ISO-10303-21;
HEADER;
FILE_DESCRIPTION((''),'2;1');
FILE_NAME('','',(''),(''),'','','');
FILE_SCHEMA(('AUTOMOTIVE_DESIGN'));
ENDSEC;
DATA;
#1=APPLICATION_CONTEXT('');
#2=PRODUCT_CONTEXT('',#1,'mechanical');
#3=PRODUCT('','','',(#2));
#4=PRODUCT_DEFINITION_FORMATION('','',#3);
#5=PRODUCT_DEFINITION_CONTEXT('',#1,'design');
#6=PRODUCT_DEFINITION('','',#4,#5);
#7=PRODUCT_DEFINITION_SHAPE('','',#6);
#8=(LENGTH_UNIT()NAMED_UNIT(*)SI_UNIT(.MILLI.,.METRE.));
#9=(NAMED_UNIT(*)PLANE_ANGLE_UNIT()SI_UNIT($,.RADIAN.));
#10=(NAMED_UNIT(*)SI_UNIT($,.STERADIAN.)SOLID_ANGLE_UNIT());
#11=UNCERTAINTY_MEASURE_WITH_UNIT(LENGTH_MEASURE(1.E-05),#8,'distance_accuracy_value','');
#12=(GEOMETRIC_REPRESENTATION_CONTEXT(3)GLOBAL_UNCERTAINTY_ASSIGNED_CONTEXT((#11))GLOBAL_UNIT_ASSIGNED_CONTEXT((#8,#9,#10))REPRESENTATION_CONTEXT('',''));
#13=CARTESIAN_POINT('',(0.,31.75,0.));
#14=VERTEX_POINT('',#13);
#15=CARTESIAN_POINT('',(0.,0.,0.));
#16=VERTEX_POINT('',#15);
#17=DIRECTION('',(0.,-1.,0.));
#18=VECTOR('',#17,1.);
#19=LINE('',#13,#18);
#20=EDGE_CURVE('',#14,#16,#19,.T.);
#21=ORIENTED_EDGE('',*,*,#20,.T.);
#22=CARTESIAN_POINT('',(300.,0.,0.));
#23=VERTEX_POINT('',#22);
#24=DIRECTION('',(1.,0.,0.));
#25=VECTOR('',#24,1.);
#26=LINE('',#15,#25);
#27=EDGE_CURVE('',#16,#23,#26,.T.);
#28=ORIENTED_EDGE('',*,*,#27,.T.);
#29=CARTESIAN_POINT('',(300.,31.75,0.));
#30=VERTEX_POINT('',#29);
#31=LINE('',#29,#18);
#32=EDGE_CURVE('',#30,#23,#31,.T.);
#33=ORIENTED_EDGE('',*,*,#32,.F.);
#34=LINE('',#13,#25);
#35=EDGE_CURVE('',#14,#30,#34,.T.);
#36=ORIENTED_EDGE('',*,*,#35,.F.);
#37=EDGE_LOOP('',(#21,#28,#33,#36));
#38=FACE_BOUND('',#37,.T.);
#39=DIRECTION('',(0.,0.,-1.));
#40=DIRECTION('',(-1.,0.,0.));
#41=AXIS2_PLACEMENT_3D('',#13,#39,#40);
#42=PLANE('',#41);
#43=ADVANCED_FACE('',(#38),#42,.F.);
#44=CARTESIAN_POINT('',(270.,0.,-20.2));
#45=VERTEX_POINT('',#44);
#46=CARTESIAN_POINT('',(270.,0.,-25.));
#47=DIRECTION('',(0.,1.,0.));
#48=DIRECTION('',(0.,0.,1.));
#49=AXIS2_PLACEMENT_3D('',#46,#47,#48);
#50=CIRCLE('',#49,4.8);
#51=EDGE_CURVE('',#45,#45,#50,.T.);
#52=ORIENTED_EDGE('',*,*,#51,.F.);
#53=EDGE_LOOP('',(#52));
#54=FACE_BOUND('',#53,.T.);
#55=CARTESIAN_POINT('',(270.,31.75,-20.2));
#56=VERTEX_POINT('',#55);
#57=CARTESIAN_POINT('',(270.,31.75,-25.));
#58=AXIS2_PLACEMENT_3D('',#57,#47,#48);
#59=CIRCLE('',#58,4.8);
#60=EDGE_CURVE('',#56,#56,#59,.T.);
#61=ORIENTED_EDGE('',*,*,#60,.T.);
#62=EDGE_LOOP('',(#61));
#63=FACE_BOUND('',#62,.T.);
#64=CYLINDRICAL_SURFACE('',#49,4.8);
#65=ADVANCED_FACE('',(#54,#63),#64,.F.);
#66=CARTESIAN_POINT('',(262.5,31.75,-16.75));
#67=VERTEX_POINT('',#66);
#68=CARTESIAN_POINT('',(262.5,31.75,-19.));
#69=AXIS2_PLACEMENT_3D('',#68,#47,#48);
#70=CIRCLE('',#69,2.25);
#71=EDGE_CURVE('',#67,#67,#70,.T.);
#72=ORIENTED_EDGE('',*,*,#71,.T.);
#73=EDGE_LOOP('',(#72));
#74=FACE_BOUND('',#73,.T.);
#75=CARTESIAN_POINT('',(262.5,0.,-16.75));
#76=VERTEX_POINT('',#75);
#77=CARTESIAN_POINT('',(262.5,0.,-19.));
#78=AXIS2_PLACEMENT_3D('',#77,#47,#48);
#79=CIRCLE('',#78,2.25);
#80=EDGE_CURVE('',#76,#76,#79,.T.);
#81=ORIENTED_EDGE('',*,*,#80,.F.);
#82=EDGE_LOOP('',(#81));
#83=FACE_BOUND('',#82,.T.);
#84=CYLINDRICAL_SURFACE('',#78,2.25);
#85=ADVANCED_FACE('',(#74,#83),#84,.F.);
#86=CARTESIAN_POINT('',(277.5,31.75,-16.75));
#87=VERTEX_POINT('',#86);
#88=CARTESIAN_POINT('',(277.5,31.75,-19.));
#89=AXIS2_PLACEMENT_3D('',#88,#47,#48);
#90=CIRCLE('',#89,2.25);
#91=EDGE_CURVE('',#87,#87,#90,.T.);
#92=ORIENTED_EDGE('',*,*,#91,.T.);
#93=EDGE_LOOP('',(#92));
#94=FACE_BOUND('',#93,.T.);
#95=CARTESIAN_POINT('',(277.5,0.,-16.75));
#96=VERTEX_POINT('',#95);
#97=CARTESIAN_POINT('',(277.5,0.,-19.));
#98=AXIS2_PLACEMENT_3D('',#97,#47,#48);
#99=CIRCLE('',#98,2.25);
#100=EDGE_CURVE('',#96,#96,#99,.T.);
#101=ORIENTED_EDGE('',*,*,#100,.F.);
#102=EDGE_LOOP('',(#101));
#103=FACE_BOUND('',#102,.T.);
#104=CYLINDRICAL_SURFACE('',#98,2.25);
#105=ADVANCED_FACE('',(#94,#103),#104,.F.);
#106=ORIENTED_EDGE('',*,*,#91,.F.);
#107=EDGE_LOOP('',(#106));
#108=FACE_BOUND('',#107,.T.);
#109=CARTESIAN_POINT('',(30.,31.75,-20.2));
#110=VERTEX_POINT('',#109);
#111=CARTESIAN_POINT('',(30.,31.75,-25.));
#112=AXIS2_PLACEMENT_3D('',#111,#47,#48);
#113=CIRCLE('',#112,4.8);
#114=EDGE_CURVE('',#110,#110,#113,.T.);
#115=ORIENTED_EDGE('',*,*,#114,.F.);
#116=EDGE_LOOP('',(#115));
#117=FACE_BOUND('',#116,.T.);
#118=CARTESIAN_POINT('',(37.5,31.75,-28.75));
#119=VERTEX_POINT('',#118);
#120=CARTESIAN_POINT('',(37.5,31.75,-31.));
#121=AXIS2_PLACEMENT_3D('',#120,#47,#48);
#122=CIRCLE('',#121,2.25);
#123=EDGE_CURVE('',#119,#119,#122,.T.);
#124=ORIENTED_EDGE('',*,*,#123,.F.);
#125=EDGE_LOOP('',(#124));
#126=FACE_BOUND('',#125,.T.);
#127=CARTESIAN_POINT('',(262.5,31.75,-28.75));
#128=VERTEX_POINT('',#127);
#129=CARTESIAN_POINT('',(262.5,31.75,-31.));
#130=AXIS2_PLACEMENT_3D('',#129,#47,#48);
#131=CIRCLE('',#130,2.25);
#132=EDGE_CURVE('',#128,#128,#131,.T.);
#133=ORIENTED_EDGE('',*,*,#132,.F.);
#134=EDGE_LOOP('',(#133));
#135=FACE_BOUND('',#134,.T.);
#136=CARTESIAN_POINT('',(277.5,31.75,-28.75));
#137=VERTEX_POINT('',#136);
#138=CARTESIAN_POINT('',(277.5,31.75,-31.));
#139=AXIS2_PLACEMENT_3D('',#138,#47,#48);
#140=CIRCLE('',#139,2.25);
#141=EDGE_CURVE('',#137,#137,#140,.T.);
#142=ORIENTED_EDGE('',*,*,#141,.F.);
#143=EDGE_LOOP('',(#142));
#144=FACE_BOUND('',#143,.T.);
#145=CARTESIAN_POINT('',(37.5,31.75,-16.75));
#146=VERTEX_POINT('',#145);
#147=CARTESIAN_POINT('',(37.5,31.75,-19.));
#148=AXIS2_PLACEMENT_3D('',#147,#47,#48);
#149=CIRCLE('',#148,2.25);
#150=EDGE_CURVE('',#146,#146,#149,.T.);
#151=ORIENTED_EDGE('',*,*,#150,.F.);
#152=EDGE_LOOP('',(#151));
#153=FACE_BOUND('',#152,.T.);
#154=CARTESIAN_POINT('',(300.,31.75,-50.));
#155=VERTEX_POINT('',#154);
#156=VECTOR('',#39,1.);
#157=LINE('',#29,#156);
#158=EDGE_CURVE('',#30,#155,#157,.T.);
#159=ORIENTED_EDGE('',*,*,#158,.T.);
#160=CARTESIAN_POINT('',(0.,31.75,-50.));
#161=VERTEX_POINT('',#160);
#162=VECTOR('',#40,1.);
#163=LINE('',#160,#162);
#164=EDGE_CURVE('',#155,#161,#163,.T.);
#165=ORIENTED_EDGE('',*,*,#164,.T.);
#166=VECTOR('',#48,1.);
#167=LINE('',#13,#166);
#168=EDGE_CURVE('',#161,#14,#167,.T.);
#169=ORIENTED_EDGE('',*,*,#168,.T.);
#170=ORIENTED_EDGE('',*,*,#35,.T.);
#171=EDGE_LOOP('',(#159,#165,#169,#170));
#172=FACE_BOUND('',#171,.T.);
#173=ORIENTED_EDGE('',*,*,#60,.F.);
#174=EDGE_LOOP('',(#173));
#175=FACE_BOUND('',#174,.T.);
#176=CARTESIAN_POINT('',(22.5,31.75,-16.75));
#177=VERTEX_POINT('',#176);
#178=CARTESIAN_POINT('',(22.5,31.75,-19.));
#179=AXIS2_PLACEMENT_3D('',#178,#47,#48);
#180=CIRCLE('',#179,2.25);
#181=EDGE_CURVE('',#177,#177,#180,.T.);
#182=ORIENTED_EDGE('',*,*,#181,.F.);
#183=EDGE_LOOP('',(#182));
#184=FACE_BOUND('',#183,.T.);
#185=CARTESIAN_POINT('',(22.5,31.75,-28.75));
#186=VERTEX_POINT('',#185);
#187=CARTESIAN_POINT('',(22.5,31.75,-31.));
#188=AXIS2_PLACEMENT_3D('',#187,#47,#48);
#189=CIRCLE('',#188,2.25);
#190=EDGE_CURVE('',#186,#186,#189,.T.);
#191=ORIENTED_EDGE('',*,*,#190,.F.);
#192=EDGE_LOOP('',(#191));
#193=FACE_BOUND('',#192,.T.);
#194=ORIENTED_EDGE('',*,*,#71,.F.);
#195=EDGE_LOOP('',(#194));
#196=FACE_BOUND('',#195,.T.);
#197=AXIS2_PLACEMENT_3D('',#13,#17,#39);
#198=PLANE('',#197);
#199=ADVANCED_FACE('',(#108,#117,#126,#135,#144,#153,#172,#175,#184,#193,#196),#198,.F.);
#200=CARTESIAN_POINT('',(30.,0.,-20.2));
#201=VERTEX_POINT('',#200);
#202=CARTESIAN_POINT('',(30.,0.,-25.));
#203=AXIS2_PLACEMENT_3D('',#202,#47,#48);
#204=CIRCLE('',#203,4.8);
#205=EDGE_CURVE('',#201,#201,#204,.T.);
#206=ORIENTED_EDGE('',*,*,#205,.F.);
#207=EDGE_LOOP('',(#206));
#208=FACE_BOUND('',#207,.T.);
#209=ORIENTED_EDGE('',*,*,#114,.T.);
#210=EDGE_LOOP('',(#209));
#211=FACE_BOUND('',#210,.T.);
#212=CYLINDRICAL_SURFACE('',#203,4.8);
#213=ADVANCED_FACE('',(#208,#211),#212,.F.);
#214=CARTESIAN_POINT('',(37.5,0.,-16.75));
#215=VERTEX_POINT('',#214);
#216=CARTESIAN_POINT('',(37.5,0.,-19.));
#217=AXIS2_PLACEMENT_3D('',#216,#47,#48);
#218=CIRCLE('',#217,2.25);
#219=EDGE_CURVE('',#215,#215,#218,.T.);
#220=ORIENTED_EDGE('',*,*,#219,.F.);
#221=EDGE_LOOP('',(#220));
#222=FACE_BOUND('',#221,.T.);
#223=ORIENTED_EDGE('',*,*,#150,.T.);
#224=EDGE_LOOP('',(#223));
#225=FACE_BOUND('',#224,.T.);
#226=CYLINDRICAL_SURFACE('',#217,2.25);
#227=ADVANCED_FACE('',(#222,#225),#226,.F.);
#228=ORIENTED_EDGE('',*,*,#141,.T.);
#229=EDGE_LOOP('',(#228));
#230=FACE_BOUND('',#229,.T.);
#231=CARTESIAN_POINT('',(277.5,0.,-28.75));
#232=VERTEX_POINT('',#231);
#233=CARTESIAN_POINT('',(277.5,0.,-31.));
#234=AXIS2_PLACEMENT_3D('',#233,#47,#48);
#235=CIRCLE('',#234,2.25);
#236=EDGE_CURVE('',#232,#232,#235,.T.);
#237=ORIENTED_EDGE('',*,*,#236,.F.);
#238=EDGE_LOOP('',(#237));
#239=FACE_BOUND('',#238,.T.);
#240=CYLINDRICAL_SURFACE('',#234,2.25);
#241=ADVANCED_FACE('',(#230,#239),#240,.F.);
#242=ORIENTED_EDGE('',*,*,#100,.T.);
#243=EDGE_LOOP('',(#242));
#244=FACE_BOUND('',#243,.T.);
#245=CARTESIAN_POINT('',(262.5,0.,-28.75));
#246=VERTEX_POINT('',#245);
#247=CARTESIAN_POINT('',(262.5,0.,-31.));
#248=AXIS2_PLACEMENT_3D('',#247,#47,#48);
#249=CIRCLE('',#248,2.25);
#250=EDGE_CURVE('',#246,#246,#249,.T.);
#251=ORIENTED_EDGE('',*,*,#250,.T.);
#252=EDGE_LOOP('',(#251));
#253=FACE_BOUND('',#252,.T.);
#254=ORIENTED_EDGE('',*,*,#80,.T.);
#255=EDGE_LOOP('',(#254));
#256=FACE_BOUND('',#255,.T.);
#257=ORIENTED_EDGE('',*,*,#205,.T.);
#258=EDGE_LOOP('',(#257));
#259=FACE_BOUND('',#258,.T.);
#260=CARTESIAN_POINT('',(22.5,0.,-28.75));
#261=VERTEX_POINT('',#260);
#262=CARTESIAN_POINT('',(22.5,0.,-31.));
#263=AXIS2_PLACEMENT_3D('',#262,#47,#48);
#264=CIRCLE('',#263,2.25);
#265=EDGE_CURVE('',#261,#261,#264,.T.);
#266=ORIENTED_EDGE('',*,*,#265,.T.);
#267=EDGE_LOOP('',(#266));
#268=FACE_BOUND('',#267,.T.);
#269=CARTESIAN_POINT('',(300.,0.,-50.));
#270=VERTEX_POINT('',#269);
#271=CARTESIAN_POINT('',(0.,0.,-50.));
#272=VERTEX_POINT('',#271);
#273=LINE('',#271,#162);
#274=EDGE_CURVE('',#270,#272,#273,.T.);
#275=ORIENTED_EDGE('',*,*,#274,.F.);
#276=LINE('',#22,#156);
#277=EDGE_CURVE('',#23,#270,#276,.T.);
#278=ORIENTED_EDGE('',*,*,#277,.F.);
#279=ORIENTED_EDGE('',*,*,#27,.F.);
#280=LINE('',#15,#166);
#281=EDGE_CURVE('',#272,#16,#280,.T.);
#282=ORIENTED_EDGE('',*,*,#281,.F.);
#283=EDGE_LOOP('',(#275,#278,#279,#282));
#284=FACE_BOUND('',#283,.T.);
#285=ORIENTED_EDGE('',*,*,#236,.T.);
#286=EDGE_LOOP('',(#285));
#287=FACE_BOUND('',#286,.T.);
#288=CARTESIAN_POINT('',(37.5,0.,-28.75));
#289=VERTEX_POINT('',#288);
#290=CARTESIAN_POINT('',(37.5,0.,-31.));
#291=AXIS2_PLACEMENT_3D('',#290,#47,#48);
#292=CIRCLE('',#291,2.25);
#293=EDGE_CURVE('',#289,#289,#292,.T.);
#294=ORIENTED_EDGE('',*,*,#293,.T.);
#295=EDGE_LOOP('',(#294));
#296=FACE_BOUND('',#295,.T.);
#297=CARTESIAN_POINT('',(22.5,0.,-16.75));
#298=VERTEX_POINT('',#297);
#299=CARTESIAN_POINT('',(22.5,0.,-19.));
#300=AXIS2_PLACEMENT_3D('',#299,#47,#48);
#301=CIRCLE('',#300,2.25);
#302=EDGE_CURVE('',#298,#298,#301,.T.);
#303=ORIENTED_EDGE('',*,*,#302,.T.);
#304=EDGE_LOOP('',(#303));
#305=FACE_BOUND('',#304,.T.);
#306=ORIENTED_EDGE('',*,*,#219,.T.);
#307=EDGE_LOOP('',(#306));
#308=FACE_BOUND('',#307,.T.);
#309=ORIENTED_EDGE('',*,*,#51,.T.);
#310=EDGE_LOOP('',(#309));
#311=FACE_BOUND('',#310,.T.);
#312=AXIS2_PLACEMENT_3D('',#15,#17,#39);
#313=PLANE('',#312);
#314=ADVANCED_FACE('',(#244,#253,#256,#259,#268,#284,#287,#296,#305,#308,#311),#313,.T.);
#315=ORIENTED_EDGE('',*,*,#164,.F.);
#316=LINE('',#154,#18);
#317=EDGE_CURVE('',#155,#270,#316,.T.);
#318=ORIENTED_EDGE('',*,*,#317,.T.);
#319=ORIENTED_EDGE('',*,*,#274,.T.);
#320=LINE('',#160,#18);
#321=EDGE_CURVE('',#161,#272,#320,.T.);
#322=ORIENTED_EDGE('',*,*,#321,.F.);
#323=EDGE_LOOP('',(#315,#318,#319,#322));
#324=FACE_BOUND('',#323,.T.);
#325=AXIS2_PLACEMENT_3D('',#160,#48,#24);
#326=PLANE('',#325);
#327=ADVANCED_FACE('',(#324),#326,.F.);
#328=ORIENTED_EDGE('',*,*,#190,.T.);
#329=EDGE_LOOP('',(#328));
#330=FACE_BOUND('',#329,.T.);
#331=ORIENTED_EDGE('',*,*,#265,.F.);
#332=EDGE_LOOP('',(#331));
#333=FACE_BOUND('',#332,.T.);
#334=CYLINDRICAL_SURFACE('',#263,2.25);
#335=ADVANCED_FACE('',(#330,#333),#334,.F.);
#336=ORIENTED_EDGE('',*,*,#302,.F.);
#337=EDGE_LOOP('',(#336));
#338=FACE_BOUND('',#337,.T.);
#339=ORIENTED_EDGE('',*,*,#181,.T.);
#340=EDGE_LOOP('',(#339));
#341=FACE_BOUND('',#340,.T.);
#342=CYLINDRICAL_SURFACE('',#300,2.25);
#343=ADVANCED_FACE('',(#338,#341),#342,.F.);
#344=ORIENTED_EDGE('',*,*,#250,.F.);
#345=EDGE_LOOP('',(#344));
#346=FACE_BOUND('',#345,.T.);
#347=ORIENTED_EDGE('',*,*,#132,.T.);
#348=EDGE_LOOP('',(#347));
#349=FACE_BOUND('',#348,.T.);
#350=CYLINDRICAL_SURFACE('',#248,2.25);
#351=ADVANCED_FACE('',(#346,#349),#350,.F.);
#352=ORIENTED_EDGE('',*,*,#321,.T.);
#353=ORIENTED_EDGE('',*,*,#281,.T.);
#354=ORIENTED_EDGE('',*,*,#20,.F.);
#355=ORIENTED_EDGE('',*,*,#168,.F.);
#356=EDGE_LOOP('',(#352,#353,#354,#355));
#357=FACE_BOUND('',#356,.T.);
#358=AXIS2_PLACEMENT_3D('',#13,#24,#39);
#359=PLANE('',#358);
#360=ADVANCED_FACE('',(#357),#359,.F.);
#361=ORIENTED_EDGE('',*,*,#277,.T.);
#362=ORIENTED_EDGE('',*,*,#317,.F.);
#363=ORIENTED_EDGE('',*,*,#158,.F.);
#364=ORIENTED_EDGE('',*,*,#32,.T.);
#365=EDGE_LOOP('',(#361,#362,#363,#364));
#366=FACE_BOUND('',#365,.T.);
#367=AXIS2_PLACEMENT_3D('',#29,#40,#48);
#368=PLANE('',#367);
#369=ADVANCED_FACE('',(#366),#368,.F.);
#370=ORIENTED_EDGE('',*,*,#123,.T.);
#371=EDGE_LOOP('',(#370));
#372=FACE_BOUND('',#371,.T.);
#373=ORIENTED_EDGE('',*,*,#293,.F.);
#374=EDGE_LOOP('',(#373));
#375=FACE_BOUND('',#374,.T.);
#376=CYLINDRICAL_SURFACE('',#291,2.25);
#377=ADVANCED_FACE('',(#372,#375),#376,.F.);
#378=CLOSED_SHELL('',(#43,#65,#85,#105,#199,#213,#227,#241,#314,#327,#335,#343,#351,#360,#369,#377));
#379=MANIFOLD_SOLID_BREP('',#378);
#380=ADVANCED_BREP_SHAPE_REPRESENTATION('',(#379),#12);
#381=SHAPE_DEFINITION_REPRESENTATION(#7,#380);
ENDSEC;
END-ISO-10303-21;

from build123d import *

# Parameters (mm, degrees)
SKETCH2_W           = 300
SKETCH2_H           = 50
BOSS_EXTRUDE1_DEPTH = 31.75
SKETCH3_R           = 4.8
SKETCH3_R_2         = 2.25
CUT_EXTRUDE1_DEPTH  = 31.75
SKETCH3_3_R         = 2.25
CUT_EXTRUDE2_DEPTH  = 31.75


with BuildPart() as part:
    # Sketch2 → Boss-Extrude1 (new body)
    with BuildSketch(Plane(origin=(0, 0, 0), x_dir=(1, 0, 0), z_dir=(0, 1, 0))):
        with Locations((150, 25)):
            Rectangle(SKETCH2_W, SKETCH2_H)
    extrude(amount=BOSS_EXTRUDE1_DEPTH)

    # Sketch3 → Cut-Extrude1 (cut)
    with BuildSketch(Plane(origin=(0, 31.75, 0), x_dir=(1, 0, 0), z_dir=(0, 1, 0))):
        with Locations((30, 25)):
            Circle(SKETCH3_R)
        with Locations((22.5, 19)):
            Circle(SKETCH3_R_2)
        with Locations((270, 25)):
            Circle(SKETCH3_R)
        with Locations((277.5, 19)):
            Circle(SKETCH3_R_2)
    extrude(amount=-CUT_EXTRUDE1_DEPTH, mode=Mode.SUBTRACT)

    # Sketch3<3> → Cut-Extrude2 (cut)
    with BuildSketch(Plane(origin=(0, 31.75, 0), x_dir=(1, 0, 0), z_dir=(0, 1, 0))):
        with Locations((37.5, 31)):
            Circle(SKETCH3_3_R)
        with Locations((37.5, 19)):
            Circle(SKETCH3_3_R)
        with Locations((22.5, 31)):
            Circle(SKETCH3_3_R)
        with Locations((277.5, 31)):
            Circle(SKETCH3_3_R)
        with Locations((262.5, 19)):
            Circle(SKETCH3_3_R)
        with Locations((262.5, 31)):
            Circle(SKETCH3_3_R)
    extrude(amount=-CUT_EXTRUDE2_DEPTH, mode=Mode.SUBTRACT)


solid = part.part
